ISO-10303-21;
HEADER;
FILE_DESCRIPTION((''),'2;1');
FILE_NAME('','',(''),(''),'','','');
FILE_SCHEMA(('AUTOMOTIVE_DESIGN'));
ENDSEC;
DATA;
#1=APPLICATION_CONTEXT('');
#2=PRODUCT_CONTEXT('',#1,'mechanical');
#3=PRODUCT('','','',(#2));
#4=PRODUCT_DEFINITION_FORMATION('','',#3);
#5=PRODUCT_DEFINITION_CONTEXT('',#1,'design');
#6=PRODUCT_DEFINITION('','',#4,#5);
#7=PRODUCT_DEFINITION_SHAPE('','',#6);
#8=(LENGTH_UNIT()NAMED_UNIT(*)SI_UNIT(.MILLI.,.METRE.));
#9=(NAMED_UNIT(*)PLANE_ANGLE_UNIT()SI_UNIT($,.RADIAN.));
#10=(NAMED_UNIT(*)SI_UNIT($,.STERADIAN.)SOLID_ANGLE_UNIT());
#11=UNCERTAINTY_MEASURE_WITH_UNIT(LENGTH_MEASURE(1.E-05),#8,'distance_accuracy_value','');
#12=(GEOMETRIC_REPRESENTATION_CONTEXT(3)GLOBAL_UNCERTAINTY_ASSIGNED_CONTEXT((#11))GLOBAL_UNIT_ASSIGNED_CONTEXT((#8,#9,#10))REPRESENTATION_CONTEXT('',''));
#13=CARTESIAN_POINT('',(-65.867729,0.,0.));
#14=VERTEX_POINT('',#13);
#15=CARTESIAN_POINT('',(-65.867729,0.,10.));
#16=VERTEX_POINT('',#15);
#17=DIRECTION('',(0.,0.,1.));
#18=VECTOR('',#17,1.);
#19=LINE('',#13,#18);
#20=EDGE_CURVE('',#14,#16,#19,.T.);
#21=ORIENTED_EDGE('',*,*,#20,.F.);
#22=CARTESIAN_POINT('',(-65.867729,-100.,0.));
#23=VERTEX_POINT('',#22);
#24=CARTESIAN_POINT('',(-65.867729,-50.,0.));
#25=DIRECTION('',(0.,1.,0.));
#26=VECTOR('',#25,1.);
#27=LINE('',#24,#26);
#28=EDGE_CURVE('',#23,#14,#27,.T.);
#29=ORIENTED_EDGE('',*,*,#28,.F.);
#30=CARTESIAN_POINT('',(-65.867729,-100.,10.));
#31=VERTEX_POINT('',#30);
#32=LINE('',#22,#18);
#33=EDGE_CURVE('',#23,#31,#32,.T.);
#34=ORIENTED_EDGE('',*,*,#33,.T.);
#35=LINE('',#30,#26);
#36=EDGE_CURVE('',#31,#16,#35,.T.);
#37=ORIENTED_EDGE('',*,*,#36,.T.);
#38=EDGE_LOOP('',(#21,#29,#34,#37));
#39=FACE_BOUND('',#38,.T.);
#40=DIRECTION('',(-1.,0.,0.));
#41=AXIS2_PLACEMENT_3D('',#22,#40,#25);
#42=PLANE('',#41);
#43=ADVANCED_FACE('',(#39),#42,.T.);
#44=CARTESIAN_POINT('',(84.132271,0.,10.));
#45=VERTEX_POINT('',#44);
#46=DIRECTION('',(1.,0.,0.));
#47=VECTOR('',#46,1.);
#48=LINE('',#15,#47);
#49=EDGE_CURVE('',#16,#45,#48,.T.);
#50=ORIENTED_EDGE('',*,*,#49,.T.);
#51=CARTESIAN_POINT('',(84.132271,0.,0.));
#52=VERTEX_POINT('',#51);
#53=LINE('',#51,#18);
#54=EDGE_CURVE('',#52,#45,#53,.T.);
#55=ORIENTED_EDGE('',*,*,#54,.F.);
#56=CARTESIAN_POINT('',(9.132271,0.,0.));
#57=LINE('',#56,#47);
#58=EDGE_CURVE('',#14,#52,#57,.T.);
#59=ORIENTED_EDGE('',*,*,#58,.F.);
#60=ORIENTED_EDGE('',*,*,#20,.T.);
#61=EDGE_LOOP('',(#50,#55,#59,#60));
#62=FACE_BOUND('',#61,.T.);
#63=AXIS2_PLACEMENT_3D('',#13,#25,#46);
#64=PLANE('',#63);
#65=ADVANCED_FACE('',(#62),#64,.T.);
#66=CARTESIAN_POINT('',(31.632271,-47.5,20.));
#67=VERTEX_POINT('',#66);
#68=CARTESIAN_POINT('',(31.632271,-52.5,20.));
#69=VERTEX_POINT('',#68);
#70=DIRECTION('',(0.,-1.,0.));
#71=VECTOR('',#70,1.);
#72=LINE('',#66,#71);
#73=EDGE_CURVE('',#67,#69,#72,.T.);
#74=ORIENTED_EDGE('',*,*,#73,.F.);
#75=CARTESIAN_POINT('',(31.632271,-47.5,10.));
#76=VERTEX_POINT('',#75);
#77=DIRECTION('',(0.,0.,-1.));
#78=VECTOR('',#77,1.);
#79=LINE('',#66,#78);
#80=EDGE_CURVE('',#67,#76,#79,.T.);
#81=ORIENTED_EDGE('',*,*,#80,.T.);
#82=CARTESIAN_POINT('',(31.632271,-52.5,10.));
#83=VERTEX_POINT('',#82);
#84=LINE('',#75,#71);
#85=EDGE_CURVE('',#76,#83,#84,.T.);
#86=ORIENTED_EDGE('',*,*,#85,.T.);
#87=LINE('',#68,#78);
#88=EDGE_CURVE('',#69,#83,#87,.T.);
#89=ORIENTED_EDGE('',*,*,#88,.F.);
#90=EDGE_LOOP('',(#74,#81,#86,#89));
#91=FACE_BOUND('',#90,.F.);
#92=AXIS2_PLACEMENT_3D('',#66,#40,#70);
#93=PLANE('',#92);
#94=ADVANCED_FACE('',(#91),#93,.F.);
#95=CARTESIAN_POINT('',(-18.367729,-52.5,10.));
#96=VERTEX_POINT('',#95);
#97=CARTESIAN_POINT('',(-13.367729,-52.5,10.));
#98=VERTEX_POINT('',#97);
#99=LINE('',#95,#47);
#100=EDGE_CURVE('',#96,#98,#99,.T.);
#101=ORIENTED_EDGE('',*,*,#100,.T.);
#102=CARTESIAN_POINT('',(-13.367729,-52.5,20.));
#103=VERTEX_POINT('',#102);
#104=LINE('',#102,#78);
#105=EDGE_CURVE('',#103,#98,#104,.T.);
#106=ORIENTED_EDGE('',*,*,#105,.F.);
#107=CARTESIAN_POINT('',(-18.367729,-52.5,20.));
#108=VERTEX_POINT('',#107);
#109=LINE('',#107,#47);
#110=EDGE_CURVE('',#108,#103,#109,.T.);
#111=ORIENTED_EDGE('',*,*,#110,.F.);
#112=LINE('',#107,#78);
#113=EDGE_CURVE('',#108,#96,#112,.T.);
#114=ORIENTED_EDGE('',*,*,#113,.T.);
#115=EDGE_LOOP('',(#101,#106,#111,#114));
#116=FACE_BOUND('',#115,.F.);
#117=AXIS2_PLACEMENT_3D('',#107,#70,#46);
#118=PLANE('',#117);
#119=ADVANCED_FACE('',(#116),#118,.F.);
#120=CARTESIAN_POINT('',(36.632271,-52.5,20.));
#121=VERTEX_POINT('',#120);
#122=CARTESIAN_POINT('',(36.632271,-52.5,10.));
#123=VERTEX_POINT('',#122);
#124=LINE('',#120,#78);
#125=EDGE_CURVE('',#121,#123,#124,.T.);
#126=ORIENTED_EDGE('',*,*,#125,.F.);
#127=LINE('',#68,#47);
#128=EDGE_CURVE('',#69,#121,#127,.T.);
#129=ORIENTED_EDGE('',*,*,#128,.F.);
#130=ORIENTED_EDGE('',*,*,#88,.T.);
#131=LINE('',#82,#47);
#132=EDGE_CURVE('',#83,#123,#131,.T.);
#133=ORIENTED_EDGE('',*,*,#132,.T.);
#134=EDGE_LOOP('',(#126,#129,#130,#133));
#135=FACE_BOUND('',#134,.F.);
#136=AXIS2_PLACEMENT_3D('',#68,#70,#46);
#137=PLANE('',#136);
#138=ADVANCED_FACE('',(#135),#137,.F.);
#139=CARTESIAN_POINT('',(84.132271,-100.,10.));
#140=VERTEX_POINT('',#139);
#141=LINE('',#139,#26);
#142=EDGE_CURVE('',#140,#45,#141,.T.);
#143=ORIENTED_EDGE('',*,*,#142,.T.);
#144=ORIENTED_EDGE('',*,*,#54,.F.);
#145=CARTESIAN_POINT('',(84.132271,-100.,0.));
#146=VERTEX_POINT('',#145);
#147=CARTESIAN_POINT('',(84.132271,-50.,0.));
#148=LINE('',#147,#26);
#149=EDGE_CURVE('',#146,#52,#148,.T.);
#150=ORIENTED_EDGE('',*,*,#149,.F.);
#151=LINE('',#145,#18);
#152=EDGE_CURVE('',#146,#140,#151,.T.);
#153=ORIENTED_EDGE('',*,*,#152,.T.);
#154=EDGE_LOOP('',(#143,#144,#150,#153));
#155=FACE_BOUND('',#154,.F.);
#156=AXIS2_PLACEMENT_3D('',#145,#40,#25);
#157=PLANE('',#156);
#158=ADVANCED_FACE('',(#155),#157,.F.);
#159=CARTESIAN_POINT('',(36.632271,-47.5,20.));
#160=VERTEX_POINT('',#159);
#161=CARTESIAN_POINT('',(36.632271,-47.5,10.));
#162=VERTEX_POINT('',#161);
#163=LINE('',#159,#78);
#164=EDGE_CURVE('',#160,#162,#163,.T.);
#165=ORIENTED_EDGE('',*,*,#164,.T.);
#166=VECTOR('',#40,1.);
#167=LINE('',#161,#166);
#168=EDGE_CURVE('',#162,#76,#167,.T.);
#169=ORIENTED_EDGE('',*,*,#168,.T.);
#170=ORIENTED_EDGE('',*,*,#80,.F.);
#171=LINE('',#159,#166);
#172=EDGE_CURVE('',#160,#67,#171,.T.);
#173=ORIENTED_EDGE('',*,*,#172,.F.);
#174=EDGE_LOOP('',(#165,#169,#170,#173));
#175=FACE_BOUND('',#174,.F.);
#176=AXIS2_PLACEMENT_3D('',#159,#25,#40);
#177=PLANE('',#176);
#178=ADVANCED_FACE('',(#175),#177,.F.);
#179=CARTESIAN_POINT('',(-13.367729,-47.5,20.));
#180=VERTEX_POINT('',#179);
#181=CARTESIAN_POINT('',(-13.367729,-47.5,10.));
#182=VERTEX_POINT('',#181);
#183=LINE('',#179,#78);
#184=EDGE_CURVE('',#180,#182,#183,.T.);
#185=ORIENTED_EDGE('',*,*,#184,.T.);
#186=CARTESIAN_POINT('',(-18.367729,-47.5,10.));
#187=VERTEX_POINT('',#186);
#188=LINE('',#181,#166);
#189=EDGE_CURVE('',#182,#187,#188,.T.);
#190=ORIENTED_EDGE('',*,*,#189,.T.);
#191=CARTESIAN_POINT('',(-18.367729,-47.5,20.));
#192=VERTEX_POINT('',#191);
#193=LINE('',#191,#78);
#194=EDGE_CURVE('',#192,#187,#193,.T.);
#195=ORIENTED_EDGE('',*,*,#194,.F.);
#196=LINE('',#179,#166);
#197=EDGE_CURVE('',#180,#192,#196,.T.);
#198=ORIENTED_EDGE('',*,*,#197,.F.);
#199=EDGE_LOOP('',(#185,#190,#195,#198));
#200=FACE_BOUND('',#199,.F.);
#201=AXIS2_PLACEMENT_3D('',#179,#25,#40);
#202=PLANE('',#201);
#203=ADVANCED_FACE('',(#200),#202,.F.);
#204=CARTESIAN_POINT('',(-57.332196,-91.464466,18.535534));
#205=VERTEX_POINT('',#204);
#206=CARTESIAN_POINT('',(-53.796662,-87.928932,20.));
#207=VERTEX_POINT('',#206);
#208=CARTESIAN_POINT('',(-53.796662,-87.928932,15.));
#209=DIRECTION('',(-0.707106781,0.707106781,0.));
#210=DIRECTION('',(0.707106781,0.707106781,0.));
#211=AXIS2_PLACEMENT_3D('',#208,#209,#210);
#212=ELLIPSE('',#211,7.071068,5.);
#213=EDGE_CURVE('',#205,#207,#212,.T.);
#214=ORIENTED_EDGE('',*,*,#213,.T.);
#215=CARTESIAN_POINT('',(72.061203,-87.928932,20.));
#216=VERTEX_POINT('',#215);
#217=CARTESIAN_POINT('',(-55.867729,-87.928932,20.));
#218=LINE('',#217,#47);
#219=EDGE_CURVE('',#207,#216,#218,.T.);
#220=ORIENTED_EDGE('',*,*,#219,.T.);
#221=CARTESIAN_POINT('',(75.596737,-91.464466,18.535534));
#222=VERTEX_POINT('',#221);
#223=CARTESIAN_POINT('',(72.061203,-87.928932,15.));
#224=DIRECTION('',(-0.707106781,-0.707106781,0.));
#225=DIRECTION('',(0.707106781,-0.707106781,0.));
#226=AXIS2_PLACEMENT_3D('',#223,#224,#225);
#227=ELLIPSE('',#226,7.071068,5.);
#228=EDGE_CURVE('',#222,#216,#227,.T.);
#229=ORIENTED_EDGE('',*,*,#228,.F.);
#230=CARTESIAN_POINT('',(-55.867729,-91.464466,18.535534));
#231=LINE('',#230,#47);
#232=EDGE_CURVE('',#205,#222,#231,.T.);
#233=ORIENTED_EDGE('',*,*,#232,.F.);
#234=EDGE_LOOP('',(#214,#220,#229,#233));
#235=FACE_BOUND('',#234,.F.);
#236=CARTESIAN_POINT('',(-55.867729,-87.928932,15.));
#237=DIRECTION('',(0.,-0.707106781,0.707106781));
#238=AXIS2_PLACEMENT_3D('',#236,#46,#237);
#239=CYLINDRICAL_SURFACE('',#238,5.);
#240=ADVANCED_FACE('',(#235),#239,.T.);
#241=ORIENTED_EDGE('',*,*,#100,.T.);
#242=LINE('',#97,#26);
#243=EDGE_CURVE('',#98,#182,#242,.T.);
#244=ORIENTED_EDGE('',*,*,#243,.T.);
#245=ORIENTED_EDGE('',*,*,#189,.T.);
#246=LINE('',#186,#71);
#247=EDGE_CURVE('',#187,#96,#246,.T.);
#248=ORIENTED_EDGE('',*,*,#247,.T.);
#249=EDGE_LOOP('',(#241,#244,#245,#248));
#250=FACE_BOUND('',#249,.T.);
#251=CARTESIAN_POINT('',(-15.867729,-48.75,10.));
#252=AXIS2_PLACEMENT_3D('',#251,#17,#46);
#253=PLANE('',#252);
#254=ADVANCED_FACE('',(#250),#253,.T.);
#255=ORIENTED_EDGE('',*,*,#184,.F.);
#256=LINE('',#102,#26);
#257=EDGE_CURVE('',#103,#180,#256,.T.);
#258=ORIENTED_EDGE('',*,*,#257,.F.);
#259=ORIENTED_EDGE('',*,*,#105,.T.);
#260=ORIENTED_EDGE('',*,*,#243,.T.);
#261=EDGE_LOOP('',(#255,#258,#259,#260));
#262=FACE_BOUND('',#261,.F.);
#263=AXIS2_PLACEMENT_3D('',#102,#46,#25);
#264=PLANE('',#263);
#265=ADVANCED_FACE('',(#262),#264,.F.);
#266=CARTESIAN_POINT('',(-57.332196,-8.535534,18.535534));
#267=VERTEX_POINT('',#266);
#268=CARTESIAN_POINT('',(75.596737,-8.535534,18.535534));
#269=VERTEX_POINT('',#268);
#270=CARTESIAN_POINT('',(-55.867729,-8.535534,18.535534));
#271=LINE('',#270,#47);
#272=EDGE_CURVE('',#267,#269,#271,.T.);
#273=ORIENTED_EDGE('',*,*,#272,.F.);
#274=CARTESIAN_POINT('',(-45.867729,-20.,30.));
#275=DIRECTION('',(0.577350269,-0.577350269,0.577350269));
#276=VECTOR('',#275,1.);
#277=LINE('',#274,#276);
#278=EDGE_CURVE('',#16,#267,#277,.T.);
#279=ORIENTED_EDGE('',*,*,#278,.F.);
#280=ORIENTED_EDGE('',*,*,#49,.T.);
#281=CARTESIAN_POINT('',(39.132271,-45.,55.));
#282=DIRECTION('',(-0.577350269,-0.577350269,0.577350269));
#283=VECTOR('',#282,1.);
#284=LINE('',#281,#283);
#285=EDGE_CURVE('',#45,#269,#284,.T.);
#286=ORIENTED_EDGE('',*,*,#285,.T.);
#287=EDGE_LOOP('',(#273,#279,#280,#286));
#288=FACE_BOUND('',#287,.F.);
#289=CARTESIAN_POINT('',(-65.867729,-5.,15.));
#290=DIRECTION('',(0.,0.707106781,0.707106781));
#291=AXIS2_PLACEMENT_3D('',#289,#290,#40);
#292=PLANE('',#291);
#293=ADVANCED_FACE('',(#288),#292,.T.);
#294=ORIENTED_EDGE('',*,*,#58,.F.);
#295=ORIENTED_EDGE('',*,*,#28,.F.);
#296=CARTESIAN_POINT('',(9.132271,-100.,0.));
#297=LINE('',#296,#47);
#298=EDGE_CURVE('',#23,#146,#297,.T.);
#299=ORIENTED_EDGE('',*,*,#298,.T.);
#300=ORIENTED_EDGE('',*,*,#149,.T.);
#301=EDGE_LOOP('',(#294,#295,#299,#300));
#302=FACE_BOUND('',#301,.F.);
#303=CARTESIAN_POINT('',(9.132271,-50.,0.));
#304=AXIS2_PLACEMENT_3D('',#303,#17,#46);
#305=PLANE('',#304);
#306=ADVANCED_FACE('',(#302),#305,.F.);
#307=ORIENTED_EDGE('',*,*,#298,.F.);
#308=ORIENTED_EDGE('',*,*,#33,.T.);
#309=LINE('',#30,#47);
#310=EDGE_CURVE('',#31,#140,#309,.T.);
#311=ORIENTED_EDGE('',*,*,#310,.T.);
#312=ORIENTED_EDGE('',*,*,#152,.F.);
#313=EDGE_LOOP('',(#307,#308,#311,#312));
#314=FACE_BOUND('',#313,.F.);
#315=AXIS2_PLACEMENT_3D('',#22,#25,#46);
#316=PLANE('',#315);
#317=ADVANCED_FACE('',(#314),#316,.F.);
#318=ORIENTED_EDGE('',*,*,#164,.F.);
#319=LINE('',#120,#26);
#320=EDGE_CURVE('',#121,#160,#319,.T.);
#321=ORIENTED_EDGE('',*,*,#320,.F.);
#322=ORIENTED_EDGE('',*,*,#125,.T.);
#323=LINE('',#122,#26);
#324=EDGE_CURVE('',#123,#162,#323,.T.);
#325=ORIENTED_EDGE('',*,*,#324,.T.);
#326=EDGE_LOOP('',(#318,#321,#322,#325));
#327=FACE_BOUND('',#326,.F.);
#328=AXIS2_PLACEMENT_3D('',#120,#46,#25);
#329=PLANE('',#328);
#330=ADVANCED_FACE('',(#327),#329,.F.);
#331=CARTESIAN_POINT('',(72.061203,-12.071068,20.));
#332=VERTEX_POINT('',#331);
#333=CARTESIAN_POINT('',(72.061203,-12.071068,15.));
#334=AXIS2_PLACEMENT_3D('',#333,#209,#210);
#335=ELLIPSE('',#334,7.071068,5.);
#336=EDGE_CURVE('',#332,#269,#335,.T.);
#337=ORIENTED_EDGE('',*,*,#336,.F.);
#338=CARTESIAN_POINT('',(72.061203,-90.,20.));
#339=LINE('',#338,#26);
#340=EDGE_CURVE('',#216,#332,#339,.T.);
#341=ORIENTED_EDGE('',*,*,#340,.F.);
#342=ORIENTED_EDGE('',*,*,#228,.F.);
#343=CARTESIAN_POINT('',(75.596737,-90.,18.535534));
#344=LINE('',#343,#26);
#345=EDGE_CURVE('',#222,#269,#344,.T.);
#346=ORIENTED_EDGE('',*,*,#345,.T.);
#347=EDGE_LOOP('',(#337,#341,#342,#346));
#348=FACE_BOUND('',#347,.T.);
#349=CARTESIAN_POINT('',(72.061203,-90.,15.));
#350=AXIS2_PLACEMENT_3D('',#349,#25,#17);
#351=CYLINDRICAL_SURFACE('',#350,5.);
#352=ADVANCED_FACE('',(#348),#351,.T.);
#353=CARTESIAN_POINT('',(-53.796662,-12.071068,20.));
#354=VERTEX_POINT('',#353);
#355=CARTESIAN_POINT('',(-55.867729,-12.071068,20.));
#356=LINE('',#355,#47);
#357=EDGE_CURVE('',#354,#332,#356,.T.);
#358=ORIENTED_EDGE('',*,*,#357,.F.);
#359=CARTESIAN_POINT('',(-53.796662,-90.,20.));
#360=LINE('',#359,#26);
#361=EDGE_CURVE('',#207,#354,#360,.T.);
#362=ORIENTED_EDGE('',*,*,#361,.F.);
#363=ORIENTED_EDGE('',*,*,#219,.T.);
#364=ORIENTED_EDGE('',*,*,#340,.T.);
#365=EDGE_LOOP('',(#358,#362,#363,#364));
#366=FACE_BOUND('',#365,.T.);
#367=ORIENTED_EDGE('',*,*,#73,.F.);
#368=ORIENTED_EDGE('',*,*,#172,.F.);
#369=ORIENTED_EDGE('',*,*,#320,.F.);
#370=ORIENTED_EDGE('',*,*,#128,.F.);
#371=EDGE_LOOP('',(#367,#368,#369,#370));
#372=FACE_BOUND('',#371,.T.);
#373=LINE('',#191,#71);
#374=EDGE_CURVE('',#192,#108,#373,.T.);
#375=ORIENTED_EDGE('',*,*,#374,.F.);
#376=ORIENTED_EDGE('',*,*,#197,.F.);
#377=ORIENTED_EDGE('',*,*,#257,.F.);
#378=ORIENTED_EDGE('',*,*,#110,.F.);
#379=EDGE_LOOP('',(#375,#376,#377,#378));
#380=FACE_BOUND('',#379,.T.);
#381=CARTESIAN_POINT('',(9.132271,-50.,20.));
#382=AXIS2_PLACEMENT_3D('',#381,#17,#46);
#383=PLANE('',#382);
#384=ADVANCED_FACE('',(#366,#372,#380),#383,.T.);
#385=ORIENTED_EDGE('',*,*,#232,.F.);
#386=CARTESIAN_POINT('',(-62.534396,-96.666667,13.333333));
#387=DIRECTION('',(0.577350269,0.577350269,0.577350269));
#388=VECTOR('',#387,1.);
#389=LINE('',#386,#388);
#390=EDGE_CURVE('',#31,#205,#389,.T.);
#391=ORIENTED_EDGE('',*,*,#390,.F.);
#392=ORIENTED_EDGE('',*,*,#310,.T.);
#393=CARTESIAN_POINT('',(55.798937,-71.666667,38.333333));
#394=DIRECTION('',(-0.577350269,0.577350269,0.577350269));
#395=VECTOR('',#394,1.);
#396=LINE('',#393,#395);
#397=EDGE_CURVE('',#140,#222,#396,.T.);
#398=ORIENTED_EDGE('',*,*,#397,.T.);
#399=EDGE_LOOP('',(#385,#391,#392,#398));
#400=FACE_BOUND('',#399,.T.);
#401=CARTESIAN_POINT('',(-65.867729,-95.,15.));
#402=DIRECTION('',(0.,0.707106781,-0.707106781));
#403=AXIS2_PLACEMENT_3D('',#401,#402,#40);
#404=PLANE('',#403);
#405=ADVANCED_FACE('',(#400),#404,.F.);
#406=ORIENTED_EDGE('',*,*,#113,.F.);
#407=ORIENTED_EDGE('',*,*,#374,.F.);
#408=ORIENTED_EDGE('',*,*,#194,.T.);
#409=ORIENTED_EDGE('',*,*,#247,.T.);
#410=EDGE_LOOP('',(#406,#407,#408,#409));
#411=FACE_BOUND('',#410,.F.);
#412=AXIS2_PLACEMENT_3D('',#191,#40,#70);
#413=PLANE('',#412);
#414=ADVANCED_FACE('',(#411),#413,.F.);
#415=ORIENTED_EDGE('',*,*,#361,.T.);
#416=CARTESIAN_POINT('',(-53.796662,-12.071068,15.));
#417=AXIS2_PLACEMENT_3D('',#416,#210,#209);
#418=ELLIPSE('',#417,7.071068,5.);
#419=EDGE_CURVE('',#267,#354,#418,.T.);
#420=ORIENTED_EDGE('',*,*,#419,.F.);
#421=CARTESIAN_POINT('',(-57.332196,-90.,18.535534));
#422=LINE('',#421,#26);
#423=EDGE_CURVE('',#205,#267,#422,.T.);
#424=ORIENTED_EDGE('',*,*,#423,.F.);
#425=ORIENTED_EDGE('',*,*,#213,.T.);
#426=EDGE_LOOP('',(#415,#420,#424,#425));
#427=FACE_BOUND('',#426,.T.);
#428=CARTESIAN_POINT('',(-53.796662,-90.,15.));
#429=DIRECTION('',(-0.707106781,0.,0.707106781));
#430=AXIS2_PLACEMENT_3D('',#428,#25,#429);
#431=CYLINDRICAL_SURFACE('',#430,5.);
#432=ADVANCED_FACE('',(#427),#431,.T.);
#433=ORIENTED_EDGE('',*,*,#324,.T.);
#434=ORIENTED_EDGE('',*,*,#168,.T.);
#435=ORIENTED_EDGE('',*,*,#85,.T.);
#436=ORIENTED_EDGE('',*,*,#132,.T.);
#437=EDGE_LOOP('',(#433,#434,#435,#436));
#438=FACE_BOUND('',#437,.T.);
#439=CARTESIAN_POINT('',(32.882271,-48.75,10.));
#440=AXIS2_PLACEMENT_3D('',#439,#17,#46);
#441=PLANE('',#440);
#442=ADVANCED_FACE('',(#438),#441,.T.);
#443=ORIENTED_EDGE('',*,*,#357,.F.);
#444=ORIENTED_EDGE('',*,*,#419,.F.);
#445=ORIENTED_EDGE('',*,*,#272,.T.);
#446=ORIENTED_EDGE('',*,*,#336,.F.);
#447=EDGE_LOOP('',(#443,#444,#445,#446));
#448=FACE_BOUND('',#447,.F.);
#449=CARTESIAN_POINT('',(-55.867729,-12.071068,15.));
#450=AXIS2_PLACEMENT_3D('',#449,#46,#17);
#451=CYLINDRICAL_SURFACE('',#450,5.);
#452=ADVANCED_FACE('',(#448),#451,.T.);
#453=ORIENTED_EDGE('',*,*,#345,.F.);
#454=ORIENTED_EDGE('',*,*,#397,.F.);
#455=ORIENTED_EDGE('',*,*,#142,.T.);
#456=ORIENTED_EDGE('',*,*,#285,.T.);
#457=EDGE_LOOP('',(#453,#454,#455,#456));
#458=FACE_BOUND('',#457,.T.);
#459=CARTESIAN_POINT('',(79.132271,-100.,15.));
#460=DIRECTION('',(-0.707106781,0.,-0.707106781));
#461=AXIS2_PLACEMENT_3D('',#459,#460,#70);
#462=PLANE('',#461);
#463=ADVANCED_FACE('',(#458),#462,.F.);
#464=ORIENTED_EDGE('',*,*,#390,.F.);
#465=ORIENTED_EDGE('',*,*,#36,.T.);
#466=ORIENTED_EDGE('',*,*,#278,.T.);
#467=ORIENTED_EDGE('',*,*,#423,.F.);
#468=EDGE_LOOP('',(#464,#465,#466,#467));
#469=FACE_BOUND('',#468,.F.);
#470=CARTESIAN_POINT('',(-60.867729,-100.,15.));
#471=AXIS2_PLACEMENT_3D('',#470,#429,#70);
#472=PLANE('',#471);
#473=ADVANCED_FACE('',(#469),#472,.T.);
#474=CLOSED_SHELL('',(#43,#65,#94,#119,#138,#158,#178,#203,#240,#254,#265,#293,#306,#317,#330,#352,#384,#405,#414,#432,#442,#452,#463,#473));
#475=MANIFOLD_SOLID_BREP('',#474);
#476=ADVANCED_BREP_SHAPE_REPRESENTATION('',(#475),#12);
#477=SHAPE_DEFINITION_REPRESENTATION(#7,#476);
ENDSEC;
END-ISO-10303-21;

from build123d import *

# Parameters (mm, degrees)
F0_W     = 150
F0_H     = 100
F1_DEPTH = 20
F2_SIZE  = 10
F3_W     = 2.5
F3_H     = 2.5
F4_DEPTH = 10
F5_R     = 5


with BuildPart() as f1:
    # F0 (on Top) → F1 (new body)
    with BuildSketch(Plane.XY):
        with Locations((9.132270515, -50)):
            Rectangle(F0_W, F0_H)
    extrude(amount=F1_DEPTH)

    # F2
    f2_edges = [f1.edges().sort_by_distance(p)[0] for p in [
        (9.132271, -100, 20),
        (-65.867729, -50, 20),
        (9.132271, 0, 20),
        (84.132271, -50, 20),
    ]]
    chamfer(f2_edges, length=F2_SIZE)

    # F3 (on face) → F4 (cut)
    with BuildSketch(Plane.XY.offset(20)):
        Polygon((-18.367729485, -47.5), (-18.367729485, -50), (-15.867729485, -50), (-13.367729485, -50), (-13.367729485, -47.5), (-15.867729485, -47.5), align=None)
        Polygon((-15.867729485, -50), (-18.367729485, -50), (-18.367729485, -52.5), (-13.367729485, -52.5), (-13.367729485, -50), align=None)
        with Locations((32.882270515, -48.75)):
            Rectangle(F3_W, F3_H)
        Polygon((34.132270515, -50), (31.632270515, -50), (31.632270515, -52.5), (36.632270515, -52.5), (36.632270515, -50), align=None)
        with Locations((35.382270515, -48.75)):
            Rectangle(F3_W, F3_H)
    extrude(amount=-F4_DEPTH, mode=Mode.SUBTRACT)

    # F5
    f5_edges = [f1.edges().sort_by_distance(p)[0] for p in [
        (9.132271, -90, 20),
        (-55.867729, -50, 20),
        (74.132271, -50, 20),
        (9.132271, -10, 20),
    ]]
    fillet(f5_edges, radius=F5_R)


solid = f1.part
